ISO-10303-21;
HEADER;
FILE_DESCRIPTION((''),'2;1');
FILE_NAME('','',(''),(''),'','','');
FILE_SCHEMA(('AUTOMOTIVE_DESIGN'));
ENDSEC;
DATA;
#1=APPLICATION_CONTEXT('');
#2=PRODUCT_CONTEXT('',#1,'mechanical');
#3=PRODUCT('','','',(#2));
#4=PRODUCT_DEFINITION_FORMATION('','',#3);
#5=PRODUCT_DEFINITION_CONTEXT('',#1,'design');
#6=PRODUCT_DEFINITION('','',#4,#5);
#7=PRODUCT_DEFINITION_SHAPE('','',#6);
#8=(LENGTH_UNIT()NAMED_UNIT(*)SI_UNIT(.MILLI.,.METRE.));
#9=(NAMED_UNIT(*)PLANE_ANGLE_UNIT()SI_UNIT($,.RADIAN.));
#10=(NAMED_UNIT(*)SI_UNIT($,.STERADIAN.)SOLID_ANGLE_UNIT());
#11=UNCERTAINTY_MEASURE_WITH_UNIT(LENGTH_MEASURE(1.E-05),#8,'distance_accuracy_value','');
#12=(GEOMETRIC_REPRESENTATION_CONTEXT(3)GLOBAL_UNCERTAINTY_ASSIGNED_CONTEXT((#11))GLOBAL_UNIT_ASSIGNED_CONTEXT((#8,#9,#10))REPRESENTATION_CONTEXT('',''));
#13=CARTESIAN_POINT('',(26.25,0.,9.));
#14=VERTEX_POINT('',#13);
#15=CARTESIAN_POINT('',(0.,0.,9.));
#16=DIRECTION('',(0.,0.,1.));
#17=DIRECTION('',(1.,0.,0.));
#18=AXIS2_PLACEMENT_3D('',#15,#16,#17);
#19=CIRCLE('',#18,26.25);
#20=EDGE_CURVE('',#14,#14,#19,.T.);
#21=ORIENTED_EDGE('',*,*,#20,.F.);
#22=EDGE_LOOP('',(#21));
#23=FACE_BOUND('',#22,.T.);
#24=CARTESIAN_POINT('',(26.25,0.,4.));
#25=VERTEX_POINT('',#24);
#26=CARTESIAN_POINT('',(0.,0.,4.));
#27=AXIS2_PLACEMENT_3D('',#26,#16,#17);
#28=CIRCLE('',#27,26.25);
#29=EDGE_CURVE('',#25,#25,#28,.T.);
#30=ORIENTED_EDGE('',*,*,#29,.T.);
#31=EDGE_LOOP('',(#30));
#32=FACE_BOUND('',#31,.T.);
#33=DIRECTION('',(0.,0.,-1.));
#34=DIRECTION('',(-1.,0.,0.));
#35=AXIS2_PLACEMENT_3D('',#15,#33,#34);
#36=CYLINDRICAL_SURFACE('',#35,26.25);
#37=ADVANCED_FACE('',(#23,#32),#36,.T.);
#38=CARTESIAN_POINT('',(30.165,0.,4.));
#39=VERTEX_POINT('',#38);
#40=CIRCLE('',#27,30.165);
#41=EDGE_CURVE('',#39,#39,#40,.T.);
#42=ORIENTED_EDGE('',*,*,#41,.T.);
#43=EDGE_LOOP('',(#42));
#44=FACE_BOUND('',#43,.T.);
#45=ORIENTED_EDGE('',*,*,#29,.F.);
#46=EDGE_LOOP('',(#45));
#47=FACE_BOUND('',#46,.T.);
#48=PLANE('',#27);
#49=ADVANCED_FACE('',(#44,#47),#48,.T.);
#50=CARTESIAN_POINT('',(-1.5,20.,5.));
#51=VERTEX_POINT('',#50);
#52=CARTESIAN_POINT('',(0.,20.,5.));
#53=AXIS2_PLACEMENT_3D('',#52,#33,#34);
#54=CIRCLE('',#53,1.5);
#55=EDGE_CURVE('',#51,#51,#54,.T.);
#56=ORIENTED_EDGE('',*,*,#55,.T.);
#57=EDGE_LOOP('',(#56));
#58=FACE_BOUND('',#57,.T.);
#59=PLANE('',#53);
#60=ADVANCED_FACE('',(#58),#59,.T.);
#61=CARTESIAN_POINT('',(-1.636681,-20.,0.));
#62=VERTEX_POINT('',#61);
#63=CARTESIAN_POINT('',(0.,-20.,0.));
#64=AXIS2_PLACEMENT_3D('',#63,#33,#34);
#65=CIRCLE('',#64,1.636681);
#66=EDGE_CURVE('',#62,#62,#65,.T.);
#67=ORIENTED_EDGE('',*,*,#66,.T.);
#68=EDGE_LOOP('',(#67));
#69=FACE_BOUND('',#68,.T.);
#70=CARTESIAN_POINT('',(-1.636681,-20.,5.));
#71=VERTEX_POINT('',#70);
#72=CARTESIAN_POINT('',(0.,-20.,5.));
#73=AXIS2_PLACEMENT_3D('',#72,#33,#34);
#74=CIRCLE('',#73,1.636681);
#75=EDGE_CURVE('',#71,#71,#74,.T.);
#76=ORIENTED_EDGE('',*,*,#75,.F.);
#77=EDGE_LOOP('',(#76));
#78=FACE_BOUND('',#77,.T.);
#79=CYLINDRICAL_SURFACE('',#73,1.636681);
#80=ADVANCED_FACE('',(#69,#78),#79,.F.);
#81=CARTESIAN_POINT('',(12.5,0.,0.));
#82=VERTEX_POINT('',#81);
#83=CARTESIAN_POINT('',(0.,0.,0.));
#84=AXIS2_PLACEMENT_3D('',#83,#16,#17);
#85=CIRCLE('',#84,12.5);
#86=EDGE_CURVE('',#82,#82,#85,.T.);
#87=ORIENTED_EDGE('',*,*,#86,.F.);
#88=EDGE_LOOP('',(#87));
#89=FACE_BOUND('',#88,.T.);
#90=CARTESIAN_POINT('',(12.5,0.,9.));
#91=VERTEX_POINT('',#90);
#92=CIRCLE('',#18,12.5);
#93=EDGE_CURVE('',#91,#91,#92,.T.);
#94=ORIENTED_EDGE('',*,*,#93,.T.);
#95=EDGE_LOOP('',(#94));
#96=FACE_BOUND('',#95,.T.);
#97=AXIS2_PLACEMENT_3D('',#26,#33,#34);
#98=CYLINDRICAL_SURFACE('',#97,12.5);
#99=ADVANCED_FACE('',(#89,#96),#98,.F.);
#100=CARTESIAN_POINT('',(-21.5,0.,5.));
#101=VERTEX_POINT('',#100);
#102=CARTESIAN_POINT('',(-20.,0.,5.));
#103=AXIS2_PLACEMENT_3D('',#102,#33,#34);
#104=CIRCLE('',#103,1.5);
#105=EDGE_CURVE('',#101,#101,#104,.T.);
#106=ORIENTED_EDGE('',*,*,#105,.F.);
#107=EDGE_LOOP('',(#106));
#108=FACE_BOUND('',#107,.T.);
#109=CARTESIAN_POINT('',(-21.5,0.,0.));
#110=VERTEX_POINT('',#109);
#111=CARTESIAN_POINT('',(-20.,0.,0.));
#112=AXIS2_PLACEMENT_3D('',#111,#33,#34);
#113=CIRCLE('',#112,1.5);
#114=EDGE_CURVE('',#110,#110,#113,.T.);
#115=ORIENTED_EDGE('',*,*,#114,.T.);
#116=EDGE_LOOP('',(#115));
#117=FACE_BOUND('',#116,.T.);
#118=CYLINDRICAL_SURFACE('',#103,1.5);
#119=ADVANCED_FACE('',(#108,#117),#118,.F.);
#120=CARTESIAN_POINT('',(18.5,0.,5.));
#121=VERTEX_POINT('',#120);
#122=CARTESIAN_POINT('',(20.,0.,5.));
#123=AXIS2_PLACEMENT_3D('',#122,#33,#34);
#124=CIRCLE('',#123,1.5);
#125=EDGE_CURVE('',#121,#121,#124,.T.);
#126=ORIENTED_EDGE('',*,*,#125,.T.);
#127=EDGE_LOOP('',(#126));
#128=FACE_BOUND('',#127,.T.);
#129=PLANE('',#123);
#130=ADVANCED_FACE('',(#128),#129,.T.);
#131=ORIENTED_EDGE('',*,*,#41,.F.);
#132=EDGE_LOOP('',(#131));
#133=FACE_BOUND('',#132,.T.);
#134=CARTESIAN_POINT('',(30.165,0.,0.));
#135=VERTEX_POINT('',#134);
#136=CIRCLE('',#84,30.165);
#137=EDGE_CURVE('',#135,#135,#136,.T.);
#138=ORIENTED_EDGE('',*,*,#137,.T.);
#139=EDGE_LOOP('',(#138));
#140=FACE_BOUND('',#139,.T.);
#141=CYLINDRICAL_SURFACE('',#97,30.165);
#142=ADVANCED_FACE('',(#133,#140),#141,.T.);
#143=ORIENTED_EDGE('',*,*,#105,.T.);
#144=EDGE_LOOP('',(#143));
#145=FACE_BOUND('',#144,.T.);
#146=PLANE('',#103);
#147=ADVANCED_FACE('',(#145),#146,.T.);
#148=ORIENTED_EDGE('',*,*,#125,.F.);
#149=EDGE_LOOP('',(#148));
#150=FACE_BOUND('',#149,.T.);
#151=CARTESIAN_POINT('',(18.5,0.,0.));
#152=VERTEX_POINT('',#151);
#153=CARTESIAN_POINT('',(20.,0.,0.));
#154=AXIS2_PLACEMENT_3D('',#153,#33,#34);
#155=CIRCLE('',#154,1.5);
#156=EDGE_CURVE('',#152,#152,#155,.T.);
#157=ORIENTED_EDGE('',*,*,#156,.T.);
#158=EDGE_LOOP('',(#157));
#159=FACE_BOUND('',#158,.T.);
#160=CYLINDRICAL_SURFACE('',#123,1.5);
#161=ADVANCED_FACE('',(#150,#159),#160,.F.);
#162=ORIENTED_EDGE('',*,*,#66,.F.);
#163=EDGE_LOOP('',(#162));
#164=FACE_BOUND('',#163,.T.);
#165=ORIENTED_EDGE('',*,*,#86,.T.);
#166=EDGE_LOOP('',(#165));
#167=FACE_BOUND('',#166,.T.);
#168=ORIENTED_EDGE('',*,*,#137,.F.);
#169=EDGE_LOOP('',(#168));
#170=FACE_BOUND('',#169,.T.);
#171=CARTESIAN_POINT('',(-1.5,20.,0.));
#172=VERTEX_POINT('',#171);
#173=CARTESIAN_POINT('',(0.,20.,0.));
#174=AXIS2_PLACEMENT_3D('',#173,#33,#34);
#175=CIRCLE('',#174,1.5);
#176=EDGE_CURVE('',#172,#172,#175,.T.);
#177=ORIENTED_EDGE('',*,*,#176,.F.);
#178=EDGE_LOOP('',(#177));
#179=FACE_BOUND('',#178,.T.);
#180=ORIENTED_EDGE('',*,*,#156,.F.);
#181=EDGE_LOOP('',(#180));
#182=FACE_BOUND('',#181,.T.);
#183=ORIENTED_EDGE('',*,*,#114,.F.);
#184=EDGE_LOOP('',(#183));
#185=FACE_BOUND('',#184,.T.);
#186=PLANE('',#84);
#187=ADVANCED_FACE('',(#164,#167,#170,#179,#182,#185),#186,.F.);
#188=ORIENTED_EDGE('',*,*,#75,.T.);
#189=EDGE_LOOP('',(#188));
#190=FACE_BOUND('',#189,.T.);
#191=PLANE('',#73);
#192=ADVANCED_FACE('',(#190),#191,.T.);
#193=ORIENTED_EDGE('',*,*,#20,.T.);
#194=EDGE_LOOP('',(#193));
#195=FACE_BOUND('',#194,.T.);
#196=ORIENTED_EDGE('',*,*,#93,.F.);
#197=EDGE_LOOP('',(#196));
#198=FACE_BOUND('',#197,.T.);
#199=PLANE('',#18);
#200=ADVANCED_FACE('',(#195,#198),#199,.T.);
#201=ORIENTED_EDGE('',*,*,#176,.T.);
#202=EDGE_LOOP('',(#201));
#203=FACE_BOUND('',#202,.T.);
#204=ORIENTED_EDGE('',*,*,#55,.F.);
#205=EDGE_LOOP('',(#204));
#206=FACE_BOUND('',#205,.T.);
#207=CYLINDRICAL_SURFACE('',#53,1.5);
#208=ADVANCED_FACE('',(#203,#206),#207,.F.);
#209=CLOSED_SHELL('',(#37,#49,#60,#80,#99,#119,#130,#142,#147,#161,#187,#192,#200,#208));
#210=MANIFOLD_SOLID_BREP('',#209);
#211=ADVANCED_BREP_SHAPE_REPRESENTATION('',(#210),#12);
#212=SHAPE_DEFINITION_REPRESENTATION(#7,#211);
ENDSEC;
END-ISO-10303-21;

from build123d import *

# Parameters (mm, degrees)
SKETCH2_R             = 30.165
SKETCH2_R_2           = 12.5
BOSS_EXTRUDE1_DEPTH   = 4
SKETCH3_R             = 26.25
SKETCH3_R_2           = 12.5
BOSS_EXTRUDE2_DEPTH   = 5
CROQUIS1_R            = 1.5
CROQUIS1_R_2          = 1.636681132
CORTAR_EXTRUIR1_DEPTH = 5


with BuildPart() as part:
    # Sketch2 → Boss-Extrude1 (new body)
    with BuildSketch(Plane.XY):
        Circle(SKETCH2_R)
        Circle(SKETCH2_R_2, mode=Mode.SUBTRACT)
    extrude(amount=BOSS_EXTRUDE1_DEPTH)

    # Sketch3 → Boss-Extrude2 (add)
    with BuildSketch(Plane.XY.offset(4)):
        Circle(SKETCH3_R)
        Circle(SKETCH3_R_2, mode=Mode.SUBTRACT)
    extrude(amount=BOSS_EXTRUDE2_DEPTH)

    # Croquis1 → Cortar-Extruir1 (cut)
    with BuildSketch(Plane(origin=(0, 0, 0), x_dir=(-1, 0, 0), z_dir=(0, 0, -1))):
        with Locations((0, 20)):
            Circle(CROQUIS1_R)
        with Locations((0, -20)):
            Circle(CROQUIS1_R_2)
        with Locations((20, 0)):
            Circle(CROQUIS1_R)
        with Locations((-20, 0)):
            Circle(CROQUIS1_R)
    extrude(amount=-CORTAR_EXTRUIR1_DEPTH, mode=Mode.SUBTRACT)


solid = part.part
